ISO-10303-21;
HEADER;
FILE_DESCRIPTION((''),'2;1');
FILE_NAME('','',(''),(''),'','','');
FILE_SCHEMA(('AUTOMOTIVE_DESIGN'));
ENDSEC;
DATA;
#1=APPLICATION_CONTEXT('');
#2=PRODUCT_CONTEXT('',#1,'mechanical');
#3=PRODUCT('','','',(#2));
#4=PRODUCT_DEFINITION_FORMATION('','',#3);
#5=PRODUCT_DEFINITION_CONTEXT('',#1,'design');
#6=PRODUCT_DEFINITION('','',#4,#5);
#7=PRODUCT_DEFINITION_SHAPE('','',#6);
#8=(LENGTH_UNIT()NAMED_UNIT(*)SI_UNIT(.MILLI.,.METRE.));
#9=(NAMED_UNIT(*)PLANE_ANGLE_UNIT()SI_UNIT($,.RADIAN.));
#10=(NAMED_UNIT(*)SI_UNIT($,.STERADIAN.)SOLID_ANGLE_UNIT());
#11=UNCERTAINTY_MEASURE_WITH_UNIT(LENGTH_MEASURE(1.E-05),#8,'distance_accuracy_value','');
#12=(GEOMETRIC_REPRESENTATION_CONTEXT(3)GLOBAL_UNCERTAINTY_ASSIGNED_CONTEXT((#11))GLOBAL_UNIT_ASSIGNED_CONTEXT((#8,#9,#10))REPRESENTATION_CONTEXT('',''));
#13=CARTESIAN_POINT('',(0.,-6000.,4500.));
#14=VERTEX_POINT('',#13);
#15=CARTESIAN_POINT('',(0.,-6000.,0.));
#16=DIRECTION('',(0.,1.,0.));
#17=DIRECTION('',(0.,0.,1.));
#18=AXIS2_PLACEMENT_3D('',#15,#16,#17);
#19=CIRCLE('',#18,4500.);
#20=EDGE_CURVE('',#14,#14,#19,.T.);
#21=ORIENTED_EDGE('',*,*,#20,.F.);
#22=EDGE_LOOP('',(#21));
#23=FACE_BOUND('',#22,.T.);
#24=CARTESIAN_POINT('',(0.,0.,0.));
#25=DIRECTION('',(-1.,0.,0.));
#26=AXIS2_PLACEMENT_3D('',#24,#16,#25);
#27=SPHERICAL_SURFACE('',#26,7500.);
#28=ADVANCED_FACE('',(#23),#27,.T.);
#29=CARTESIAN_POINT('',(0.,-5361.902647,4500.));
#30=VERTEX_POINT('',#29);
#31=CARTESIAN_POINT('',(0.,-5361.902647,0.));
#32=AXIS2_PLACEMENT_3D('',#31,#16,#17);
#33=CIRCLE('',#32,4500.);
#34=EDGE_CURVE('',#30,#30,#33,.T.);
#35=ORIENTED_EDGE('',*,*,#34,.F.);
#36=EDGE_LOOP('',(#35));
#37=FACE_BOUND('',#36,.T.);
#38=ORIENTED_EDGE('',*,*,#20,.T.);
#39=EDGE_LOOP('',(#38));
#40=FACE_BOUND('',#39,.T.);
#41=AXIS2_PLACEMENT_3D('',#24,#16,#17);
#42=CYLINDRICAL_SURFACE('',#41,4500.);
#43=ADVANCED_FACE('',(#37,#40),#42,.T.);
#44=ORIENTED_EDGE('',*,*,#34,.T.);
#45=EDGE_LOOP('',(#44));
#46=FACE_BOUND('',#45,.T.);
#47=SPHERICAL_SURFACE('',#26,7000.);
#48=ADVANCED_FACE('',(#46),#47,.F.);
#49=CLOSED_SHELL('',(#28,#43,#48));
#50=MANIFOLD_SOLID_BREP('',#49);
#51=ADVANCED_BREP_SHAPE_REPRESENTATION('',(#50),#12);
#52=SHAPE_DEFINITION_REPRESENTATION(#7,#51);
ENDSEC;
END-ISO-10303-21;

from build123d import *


with BuildPart() as part:
    # Sketch1 → Revolve1 (revolve)
    with BuildSketch(Plane.XY):
        with BuildLine():
            Line((-4500, -6000), (-4500, -5361.902647382))
            ThreePointArc((-4500, -5361.902647382), (-2394.439544896, -6577.739677567), (0, -7000))
            Line((0, -7000), (0, -7500))
            ThreePointArc((0, -7500), (-2371.708245126, -7115.124735379), (-4500, -6000))
        make_face()
    revolve(axis=Axis((0, 0, 0), (0, -1, 0)))


solid = part.part
